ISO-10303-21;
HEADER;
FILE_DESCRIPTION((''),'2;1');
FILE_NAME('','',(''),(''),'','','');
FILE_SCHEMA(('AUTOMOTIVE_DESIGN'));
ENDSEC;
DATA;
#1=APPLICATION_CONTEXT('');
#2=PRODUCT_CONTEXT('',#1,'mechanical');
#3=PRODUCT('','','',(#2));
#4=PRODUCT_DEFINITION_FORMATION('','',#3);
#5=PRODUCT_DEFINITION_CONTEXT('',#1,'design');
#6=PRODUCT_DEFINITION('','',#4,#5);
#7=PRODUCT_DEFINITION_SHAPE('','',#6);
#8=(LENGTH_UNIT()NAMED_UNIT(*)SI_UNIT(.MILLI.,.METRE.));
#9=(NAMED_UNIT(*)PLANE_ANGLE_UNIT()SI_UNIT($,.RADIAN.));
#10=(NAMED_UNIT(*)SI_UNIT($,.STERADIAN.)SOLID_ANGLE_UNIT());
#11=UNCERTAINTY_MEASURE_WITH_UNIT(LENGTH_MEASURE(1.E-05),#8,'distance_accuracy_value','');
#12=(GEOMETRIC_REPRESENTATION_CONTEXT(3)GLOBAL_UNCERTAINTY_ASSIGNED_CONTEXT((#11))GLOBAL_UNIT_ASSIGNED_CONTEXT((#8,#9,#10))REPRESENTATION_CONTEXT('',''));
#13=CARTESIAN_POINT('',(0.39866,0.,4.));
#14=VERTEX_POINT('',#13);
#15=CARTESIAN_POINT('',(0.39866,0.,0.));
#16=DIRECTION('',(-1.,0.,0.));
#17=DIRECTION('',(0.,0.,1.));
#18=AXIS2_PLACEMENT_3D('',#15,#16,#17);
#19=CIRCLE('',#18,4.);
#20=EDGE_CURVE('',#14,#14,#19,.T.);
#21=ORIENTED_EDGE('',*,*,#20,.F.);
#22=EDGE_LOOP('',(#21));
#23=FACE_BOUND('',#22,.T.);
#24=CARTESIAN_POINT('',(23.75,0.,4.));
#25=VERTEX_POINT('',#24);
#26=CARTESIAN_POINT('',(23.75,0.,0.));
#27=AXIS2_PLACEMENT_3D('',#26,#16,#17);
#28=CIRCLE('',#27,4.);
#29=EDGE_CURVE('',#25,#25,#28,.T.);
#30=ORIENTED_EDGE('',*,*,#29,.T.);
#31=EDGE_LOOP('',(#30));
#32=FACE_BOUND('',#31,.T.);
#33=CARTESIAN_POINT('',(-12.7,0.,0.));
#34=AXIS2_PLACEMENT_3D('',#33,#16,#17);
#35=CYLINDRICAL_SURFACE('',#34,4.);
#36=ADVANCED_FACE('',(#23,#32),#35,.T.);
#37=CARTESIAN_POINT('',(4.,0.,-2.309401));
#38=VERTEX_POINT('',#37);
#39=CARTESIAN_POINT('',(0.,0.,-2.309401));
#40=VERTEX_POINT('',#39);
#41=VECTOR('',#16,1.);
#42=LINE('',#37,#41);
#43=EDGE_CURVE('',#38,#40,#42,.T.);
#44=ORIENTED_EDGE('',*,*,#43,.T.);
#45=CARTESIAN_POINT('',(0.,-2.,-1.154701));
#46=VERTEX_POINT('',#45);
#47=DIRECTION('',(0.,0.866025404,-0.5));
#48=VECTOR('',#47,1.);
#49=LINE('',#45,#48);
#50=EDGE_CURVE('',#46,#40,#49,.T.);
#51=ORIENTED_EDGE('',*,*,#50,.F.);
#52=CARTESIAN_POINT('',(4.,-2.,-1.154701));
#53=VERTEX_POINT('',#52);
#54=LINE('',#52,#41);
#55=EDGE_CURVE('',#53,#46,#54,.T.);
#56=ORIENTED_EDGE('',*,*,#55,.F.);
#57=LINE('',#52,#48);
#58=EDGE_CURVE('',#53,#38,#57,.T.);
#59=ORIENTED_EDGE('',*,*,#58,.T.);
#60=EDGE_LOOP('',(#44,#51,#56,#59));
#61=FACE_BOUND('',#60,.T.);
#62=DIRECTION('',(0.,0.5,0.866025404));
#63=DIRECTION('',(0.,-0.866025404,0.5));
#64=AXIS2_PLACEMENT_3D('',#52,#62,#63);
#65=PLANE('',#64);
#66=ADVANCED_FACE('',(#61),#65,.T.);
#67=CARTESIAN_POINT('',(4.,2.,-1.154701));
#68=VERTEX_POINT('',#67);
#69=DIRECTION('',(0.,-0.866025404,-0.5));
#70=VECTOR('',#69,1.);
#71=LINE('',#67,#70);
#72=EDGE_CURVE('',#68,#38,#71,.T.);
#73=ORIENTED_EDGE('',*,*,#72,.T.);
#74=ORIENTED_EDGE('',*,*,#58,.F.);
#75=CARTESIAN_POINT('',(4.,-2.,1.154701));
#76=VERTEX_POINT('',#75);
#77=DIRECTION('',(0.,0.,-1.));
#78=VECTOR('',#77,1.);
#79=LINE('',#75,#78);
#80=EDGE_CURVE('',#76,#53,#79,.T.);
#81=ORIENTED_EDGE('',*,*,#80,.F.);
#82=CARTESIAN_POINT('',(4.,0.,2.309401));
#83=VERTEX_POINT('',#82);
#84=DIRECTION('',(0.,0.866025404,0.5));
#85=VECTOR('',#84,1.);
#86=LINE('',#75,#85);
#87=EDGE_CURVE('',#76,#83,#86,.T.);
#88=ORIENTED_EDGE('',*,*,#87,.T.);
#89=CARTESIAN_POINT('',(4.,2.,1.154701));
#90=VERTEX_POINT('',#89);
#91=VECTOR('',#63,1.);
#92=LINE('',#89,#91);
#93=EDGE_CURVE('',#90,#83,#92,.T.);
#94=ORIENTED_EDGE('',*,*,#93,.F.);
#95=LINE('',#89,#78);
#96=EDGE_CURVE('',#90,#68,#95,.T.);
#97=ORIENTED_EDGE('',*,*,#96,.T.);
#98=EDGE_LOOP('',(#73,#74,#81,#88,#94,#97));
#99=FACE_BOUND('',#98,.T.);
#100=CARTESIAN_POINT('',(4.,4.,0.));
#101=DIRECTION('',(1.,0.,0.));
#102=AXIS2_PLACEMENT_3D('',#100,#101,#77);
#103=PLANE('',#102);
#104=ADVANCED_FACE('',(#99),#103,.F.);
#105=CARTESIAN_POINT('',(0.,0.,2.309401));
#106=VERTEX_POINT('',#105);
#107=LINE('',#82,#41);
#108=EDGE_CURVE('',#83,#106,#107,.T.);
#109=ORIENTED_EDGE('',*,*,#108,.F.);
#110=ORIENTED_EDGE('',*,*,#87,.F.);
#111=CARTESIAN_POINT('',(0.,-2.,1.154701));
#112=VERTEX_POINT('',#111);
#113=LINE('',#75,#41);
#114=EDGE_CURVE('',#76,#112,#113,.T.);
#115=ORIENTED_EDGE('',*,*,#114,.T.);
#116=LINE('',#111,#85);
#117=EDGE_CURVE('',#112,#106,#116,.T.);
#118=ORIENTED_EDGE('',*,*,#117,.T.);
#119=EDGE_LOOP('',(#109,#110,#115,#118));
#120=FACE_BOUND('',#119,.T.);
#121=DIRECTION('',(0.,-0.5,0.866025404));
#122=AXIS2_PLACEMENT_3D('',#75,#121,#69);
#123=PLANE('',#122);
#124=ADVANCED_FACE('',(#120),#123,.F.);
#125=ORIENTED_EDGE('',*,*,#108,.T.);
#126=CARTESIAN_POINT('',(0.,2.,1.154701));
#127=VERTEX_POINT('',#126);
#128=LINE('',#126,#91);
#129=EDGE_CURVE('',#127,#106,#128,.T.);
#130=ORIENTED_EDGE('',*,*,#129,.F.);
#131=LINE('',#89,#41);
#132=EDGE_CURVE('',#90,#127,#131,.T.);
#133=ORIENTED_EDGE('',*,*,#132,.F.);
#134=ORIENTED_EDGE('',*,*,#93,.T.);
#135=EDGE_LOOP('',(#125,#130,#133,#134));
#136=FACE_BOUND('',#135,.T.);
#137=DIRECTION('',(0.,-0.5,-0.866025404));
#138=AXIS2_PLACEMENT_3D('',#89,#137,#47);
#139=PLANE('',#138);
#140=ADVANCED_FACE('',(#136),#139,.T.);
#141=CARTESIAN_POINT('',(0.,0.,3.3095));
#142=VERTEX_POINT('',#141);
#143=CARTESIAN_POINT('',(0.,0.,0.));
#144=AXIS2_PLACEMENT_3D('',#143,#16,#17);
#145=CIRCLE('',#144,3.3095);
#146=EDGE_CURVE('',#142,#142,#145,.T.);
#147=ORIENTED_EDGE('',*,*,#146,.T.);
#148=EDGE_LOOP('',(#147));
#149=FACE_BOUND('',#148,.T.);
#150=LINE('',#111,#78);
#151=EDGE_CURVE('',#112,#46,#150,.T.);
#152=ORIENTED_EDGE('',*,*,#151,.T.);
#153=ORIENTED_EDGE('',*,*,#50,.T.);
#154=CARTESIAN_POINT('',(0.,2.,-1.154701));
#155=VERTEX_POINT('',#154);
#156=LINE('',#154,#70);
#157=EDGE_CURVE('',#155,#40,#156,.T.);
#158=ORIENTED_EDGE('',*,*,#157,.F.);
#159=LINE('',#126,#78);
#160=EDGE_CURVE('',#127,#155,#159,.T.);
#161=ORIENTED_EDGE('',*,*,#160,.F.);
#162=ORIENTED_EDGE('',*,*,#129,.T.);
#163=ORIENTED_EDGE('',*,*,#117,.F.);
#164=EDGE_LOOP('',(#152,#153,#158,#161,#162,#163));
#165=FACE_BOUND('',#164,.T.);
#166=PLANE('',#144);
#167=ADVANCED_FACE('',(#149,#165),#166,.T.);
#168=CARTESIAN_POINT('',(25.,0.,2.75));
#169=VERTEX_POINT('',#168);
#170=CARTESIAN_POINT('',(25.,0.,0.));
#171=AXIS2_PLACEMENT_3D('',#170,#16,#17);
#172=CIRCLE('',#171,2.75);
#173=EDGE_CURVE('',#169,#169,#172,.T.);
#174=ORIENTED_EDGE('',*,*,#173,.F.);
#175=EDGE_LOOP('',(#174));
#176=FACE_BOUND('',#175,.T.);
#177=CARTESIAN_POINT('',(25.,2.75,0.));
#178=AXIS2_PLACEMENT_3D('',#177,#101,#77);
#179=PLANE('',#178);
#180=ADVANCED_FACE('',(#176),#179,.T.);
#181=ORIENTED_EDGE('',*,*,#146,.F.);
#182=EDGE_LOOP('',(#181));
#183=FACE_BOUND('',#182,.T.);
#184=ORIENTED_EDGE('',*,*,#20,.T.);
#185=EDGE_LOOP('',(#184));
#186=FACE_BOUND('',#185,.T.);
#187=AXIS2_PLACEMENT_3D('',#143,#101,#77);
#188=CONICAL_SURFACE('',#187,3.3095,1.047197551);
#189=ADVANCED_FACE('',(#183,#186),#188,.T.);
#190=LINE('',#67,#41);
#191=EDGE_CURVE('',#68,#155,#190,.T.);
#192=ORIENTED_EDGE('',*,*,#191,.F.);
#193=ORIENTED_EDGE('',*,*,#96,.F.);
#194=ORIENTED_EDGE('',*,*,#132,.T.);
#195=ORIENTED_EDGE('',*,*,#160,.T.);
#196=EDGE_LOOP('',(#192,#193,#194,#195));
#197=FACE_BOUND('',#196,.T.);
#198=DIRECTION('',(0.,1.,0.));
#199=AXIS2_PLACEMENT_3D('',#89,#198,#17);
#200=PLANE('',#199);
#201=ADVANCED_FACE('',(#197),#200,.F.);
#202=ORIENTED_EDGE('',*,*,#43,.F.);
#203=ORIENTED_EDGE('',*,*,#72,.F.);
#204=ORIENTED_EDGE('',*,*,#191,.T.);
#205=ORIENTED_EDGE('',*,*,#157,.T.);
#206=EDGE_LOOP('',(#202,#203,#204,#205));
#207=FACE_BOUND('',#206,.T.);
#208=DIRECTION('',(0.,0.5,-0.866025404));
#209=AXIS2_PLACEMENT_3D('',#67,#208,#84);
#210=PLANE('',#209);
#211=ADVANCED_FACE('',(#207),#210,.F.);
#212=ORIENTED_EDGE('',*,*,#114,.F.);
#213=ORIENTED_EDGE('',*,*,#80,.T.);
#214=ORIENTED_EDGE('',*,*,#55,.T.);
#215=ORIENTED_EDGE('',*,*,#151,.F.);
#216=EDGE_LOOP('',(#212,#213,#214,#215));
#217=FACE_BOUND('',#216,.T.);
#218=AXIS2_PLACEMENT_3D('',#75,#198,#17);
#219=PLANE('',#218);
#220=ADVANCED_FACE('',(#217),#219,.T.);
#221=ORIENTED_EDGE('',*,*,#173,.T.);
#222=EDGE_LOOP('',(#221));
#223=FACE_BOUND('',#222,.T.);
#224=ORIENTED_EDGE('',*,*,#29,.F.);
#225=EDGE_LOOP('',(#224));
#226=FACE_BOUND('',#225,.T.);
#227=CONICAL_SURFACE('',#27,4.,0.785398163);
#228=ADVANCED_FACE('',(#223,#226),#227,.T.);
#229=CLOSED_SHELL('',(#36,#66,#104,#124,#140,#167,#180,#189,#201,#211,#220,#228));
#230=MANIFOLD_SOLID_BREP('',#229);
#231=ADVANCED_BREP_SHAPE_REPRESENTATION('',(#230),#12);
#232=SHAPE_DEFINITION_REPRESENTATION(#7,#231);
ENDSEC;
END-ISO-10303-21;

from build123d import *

# Parameters (mm, degrees)
HEX_2_DEPTH = 4


with BuildPart() as part:
    # BodySke → BaseBody (revolve)
    with BuildSketch(Plane.XY, mode=Mode.PRIVATE) as basebody_sk:
        Polygon((0, 0), (0, 3.3095), (0.398660361, 4), (23.75, 4), (25, 2.75), (25, 0), align=None)
    revolve(basebody_sk.sketch.rotate(Axis((-12.7, 0, 0), (1, 0, 0)), 90), axis=Axis((-12.7, 0, 0), (1, 0, 0)))

    # Sketch2 → Hex 2 (cut)
    with BuildSketch(Plane.ZY):
        Polygon((1.154700538, 2), (-1.154700538, 2), (-2.309401077, 0), (-1.154700538, -2), (1.154700538, -2), (2.309401077, 0), align=None)
    extrude(amount=-HEX_2_DEPTH, mode=Mode.SUBTRACT)


solid = part.part
